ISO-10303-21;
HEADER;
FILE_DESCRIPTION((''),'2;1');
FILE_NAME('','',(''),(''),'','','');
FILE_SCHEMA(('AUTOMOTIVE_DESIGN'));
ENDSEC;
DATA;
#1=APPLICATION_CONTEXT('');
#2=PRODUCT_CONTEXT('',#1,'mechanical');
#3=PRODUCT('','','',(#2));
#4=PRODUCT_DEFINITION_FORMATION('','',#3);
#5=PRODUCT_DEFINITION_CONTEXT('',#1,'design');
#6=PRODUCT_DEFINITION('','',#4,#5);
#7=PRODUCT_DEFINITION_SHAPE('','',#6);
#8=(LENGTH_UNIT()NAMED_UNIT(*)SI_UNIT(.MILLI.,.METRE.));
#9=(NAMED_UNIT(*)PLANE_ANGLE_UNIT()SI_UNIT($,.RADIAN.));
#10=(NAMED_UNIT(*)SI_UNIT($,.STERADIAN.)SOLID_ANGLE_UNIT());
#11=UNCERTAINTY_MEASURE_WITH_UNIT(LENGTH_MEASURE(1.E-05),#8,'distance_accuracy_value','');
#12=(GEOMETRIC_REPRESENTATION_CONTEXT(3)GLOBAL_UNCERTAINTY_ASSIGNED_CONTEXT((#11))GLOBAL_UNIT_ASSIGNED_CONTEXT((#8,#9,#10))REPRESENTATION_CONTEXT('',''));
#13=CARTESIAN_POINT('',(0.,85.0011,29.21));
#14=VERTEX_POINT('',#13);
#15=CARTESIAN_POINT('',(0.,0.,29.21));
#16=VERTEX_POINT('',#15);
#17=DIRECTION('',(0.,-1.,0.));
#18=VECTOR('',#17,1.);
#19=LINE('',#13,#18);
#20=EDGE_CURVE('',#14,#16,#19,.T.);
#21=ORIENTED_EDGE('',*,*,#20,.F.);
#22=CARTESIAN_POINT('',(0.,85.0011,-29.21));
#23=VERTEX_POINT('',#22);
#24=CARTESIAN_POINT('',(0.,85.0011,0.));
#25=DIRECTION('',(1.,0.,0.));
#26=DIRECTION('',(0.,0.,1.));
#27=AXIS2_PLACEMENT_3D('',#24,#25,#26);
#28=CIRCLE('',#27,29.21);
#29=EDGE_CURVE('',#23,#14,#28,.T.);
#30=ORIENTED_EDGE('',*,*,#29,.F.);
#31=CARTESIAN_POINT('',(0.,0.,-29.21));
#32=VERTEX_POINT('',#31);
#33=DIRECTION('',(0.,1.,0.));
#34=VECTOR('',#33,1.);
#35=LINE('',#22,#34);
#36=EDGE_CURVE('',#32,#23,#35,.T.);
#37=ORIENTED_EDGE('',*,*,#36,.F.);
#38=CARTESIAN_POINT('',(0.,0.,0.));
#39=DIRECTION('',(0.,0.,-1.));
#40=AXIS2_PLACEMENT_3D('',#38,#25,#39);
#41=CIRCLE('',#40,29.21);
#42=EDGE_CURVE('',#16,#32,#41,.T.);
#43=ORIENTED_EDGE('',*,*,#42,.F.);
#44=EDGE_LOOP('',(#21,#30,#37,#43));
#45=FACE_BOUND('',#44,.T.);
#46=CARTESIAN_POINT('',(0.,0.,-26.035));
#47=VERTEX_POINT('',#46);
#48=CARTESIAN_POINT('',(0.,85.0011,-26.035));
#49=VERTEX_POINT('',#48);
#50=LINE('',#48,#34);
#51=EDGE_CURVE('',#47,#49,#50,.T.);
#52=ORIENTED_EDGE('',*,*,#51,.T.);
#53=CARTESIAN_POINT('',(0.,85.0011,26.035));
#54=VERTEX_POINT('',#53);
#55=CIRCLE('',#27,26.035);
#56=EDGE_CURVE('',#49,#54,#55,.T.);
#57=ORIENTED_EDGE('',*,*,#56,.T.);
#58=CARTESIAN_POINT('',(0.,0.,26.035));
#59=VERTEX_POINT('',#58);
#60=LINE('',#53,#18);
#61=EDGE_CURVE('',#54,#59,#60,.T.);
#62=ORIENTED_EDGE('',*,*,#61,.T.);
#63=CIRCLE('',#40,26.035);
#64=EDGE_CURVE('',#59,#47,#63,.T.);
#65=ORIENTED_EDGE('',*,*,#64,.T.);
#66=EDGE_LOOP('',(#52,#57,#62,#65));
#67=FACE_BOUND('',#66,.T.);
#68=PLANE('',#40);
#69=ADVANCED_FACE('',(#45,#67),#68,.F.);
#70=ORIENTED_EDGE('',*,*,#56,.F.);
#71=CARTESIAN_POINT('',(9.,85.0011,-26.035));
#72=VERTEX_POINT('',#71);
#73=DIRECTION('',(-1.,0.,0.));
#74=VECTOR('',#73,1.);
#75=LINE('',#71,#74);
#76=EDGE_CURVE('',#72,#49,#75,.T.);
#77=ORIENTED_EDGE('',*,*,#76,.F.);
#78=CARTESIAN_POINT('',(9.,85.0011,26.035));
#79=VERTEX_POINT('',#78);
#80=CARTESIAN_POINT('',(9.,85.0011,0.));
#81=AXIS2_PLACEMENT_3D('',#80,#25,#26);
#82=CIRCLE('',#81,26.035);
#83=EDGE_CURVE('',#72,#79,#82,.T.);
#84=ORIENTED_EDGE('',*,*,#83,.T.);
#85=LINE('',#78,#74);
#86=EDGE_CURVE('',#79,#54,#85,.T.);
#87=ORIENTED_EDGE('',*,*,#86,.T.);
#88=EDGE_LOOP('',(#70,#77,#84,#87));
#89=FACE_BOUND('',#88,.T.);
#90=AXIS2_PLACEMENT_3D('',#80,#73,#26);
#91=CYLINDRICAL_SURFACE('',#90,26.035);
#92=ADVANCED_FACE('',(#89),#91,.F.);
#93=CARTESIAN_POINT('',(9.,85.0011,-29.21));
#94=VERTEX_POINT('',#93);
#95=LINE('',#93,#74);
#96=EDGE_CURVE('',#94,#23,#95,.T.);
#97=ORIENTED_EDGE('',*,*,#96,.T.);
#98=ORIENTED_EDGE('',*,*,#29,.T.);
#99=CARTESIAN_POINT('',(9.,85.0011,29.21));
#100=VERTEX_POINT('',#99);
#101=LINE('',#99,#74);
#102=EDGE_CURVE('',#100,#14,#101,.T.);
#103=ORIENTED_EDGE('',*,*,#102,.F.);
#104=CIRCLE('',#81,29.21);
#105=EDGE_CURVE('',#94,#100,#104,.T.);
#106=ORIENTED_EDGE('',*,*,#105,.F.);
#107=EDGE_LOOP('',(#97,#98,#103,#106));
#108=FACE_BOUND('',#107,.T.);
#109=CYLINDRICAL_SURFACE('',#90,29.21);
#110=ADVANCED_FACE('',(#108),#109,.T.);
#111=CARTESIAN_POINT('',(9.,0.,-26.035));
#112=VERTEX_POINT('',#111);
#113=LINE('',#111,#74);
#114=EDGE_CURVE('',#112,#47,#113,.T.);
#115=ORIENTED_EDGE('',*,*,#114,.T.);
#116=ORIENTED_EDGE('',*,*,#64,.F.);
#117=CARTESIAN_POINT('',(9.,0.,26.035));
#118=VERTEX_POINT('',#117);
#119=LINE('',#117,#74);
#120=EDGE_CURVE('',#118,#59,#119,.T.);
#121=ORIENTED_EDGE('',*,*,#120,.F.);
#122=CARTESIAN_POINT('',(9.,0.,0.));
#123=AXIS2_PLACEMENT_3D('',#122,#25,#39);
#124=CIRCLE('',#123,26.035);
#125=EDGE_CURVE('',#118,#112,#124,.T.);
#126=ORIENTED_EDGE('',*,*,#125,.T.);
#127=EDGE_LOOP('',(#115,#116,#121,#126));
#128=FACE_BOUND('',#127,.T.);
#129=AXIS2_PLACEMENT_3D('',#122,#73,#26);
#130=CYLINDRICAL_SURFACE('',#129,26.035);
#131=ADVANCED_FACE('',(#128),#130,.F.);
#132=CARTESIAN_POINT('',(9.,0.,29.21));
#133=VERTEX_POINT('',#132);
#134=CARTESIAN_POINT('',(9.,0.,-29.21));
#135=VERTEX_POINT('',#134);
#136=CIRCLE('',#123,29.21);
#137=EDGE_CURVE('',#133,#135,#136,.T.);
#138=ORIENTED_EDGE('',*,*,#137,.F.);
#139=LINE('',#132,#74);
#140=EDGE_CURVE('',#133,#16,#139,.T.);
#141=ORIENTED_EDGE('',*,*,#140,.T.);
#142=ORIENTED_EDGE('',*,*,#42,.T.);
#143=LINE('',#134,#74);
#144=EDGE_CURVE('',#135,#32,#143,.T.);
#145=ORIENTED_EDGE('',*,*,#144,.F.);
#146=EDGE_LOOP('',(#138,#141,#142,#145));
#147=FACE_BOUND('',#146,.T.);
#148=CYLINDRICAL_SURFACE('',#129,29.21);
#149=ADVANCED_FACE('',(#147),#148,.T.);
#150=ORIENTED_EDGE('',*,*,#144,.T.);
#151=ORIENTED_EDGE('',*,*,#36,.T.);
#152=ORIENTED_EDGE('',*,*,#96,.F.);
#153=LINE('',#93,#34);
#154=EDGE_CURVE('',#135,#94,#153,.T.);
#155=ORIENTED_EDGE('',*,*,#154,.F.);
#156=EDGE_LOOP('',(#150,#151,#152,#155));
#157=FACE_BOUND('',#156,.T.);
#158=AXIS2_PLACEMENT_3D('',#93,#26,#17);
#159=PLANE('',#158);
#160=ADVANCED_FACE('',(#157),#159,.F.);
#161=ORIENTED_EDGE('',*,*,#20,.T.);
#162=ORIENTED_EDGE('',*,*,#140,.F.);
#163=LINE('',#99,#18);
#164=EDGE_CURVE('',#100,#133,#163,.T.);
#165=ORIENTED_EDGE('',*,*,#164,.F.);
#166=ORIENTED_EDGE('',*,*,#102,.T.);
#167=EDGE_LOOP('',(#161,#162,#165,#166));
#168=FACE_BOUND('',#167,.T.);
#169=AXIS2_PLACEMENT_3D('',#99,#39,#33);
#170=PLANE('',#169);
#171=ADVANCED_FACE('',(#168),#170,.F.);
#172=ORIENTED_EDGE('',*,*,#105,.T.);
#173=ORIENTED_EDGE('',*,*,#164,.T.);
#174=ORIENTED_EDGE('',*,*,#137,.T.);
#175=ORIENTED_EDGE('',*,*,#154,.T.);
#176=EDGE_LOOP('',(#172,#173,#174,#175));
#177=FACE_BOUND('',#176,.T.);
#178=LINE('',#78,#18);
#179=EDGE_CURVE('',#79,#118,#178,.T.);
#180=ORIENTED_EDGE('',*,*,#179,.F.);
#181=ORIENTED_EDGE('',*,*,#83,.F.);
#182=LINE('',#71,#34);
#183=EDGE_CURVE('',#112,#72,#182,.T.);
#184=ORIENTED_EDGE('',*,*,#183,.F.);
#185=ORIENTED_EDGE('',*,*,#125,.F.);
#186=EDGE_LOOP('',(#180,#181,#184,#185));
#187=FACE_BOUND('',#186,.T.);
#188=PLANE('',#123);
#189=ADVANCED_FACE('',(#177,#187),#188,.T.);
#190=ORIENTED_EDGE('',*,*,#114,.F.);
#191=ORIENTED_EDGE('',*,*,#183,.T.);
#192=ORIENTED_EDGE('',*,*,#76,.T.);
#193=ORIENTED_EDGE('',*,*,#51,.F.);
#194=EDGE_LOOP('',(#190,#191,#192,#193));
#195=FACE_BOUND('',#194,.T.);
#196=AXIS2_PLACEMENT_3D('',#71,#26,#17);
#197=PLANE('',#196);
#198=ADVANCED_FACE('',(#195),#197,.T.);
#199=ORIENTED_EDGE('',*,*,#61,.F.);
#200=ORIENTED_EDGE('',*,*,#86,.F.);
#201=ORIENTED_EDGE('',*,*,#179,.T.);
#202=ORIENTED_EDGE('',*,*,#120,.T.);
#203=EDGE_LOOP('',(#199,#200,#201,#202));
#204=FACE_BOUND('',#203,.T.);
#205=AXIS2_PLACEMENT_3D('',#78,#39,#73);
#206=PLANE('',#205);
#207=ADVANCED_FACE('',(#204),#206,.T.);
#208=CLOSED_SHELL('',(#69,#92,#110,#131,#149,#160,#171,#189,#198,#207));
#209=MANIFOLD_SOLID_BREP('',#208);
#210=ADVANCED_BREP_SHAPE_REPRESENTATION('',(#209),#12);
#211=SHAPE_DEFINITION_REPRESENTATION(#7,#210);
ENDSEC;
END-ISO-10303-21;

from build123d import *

# Parameters (mm, degrees)
BOSS_EXTRUDE1_DEPTH = 9


with BuildPart() as part:
    # Sketch1 → Boss-Extrude1 (new body)
    with BuildSketch(Plane(origin=(0, 0, 0), x_dir=(0, 0, -1), z_dir=(1, 0, 0))):
        with BuildLine():
            Line((-29.21, 85.0011), (-29.21, 0))
            ThreePointArc((-29.21, 0), (0, -29.21), (29.21, 0))
            Line((29.21, 0), (29.21, 85.0011))
            ThreePointArc((29.21, 85.0011), (0, 114.2111), (-29.21, 85.0011))
        make_face()
        with BuildLine():
            Line((26.035, 85.0011), (26.035, 0))
            ThreePointArc((26.035, 0), (0, -26.035), (-26.035, 0))
            Line((-26.035, 0), (-26.035, 85.0011))
            ThreePointArc((-26.035, 85.0011), (0, 111.0361), (26.035, 85.0011))
        make_face(mode=Mode.SUBTRACT)
    extrude(amount=BOSS_EXTRUDE1_DEPTH)


solid = part.part
